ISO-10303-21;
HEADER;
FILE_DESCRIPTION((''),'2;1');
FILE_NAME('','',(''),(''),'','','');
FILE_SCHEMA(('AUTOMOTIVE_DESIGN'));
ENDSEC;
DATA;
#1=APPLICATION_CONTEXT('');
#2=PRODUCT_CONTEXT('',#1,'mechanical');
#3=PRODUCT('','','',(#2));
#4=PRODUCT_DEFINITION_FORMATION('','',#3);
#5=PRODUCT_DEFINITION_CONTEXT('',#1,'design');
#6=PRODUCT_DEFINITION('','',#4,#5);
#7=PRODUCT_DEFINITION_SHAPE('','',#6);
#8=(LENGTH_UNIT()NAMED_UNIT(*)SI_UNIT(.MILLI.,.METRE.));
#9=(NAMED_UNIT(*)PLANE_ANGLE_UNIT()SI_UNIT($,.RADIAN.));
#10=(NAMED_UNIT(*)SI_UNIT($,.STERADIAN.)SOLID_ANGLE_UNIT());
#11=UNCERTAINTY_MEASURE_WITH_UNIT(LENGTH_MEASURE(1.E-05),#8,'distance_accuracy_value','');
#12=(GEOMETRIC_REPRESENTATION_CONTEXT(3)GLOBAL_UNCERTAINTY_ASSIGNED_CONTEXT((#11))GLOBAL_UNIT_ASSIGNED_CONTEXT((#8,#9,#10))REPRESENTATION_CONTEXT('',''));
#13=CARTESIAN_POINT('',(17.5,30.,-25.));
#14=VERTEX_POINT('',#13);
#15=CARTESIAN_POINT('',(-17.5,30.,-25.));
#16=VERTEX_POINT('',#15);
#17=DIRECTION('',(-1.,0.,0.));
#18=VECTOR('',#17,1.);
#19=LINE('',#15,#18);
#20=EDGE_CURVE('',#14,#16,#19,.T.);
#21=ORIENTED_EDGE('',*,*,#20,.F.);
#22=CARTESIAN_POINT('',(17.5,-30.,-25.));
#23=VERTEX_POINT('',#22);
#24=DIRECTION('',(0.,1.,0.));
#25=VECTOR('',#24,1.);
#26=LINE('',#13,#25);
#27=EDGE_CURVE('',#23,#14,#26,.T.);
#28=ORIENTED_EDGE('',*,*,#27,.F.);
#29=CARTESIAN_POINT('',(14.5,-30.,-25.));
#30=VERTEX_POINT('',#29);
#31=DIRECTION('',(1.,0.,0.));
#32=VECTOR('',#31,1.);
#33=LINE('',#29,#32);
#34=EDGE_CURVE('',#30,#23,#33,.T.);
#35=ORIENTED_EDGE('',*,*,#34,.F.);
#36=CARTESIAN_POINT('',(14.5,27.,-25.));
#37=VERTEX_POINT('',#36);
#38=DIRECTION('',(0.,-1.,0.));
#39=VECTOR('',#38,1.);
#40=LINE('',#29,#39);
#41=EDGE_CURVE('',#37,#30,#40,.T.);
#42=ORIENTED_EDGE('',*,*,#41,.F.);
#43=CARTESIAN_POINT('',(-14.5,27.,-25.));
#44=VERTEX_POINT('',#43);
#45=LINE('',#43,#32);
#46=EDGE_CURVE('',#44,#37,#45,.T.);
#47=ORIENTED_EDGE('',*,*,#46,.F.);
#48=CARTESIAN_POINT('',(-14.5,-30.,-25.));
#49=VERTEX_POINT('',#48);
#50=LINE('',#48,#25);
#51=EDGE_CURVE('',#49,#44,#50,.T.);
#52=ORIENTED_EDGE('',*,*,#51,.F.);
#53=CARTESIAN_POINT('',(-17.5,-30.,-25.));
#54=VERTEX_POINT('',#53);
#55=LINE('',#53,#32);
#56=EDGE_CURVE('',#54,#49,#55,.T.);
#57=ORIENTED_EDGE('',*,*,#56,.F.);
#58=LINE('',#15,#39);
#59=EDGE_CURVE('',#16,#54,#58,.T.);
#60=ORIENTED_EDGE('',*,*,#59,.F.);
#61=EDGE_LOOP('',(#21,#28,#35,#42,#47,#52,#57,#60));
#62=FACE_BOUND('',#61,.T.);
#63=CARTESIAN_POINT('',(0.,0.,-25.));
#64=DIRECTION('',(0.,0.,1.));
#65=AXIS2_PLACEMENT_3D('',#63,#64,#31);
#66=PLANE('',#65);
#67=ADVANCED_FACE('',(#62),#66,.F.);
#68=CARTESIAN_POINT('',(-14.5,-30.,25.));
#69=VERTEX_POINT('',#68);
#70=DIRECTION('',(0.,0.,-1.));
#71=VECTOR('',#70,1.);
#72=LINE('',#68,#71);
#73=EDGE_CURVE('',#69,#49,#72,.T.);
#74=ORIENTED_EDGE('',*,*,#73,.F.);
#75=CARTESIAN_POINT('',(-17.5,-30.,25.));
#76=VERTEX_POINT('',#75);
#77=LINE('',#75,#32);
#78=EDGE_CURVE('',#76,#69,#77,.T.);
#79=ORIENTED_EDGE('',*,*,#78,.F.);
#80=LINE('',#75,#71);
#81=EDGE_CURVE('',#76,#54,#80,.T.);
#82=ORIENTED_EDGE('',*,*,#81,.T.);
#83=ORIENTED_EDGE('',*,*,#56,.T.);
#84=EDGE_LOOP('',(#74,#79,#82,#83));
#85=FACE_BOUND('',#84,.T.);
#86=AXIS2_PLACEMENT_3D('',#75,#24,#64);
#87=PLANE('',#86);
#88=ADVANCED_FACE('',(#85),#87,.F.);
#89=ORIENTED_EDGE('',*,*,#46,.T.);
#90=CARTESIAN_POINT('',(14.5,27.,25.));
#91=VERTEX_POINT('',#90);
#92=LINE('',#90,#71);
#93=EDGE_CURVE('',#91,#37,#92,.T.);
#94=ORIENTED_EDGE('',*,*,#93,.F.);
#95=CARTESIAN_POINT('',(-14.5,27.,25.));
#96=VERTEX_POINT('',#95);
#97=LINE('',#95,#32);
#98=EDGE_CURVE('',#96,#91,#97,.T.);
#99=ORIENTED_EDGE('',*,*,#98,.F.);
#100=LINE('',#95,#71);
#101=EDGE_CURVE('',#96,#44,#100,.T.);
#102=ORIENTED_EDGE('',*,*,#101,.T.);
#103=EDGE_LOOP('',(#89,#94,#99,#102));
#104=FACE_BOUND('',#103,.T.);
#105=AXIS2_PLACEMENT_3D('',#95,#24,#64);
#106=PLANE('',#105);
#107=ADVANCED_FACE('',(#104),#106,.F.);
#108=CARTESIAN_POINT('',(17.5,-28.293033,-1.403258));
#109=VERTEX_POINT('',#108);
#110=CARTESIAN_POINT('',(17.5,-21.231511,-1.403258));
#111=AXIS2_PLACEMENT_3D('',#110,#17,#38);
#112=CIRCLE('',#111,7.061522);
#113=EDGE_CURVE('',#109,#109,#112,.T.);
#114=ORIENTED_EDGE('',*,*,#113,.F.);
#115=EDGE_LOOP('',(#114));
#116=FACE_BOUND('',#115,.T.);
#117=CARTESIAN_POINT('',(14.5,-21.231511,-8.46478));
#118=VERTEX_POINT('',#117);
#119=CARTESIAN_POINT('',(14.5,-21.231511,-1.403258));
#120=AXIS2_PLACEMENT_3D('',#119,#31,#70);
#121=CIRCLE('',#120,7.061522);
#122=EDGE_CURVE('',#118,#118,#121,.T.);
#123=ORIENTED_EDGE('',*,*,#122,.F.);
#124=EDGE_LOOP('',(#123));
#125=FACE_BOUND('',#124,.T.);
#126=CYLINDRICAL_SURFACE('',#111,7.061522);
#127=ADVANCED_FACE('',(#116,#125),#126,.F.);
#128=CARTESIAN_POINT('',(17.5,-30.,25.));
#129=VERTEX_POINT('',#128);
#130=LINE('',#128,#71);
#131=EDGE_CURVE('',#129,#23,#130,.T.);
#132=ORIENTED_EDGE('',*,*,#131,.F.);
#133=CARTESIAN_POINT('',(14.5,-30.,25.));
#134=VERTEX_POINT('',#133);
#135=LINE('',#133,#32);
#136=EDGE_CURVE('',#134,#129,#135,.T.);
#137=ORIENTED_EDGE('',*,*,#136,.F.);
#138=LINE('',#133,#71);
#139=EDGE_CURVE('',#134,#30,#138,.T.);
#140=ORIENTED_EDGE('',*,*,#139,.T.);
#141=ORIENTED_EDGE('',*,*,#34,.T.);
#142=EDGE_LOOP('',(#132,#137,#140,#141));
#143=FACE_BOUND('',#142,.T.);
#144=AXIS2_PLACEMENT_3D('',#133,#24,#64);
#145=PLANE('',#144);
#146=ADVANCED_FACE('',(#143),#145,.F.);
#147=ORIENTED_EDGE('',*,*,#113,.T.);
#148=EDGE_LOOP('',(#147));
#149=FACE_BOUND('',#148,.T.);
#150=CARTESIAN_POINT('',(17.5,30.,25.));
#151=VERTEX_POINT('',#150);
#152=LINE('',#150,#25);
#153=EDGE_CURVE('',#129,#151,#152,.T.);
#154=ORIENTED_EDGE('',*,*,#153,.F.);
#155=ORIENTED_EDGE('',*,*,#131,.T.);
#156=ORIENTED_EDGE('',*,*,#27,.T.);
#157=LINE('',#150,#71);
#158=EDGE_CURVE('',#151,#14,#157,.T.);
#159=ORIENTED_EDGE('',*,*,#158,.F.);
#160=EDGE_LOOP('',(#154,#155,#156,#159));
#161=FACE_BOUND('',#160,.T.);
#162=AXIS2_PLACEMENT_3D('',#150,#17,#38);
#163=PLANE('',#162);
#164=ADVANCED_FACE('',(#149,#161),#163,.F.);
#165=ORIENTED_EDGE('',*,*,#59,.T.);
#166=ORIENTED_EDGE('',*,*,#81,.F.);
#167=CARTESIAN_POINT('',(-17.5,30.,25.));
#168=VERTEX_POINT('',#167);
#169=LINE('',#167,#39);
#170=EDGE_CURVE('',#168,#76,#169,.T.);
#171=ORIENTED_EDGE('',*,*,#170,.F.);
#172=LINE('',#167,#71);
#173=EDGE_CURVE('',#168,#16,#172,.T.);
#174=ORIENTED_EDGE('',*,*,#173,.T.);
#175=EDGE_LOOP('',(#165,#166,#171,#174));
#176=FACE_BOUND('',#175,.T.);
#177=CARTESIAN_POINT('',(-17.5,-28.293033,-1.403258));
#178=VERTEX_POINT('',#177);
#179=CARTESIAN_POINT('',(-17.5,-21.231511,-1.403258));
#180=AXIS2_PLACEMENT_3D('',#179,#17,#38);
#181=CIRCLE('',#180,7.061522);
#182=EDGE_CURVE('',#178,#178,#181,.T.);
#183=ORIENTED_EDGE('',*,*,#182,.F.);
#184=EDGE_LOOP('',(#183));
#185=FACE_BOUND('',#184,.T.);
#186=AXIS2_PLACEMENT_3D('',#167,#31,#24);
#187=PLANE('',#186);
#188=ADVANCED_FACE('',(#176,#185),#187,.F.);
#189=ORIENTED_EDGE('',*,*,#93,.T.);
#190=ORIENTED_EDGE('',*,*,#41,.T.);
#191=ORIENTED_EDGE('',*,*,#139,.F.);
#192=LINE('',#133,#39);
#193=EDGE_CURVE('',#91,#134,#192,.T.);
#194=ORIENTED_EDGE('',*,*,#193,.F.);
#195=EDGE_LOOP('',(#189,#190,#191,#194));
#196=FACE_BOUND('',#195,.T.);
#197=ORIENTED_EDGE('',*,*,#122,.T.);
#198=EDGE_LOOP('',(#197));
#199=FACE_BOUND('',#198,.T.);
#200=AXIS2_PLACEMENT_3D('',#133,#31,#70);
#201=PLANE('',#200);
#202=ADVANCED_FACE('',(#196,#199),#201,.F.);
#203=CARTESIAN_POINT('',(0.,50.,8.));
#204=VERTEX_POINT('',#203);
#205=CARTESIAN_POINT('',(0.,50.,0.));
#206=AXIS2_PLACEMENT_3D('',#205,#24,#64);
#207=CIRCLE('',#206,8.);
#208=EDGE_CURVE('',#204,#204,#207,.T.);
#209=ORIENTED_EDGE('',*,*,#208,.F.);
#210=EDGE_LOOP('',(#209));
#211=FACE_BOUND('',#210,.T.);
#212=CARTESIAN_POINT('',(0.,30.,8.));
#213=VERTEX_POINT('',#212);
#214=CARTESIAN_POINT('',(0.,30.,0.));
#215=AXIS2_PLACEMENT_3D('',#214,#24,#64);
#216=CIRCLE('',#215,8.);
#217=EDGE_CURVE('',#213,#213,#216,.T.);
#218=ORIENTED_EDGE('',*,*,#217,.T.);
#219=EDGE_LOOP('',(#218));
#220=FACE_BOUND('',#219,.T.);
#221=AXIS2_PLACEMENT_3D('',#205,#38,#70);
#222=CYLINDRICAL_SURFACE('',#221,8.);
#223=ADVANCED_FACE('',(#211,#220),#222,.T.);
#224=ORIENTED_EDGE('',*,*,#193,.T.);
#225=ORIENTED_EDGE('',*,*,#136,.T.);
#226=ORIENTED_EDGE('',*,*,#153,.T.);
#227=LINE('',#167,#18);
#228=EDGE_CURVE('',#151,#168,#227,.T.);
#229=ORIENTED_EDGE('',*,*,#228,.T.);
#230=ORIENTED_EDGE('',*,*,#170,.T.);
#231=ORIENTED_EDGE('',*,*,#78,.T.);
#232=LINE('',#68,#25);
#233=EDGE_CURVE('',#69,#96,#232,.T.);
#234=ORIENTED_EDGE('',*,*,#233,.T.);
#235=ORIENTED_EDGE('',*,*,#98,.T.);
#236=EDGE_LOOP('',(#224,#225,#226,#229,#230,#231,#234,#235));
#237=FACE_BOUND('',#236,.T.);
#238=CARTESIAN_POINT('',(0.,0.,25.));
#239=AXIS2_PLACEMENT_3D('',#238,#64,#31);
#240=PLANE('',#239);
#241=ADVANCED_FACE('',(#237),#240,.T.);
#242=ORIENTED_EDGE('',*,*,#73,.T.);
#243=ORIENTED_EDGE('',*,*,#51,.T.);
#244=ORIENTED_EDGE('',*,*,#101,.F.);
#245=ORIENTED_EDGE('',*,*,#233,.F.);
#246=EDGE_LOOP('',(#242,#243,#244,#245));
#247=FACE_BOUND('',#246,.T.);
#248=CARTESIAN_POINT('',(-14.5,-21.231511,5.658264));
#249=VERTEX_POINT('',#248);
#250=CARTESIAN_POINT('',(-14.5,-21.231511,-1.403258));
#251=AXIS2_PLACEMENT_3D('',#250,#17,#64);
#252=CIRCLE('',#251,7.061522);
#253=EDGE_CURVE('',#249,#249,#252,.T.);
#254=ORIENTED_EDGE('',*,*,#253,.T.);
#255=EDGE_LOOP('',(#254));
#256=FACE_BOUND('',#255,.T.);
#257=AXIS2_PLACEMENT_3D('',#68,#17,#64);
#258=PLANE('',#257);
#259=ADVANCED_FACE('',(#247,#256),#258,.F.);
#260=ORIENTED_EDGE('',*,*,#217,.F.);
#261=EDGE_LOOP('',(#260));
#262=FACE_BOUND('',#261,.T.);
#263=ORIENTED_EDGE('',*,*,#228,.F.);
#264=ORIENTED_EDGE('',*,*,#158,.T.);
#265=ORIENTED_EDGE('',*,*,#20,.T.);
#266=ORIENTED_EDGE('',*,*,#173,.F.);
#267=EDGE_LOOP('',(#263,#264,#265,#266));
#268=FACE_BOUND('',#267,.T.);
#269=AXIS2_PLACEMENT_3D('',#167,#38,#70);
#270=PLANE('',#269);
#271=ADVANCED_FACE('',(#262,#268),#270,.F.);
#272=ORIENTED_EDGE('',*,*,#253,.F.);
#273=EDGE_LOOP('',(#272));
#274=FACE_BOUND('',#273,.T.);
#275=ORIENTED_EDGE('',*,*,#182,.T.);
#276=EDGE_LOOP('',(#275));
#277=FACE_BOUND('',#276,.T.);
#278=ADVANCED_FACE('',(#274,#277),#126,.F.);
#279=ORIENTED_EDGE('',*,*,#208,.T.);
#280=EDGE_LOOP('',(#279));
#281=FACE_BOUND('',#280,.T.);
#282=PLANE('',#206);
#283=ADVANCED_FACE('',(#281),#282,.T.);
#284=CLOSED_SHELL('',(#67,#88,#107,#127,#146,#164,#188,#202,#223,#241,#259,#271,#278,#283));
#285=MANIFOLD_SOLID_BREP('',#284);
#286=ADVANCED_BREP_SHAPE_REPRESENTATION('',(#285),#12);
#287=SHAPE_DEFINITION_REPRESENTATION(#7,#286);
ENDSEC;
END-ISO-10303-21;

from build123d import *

# Parameters (mm, degrees)
BOSS_EXTRUDE2_DEPTH = 25
SKETCH4_R           = 8
BOSS_EXTRUDE3_DEPTH = 20
SKETCH5_R           = 7.061522099
CUT_EXTRUDE2_DEPTH  = 36


with BuildPart() as part:
    # Sketch3 → Boss-Extrude2 (new body, symmetric)
    with BuildSketch(Plane.XY):
        Polygon((14.5, -30), (17.5, -30), (17.5, 30), (-17.5, 30), (-17.5, -30), (-14.5, -30), (-14.5, 27), (14.5, 27), align=None)
    extrude(amount=BOSS_EXTRUDE2_DEPTH, both=True)

    # Sketch4 → Boss-Extrude3 (add)
    with BuildSketch(Plane(origin=(0, 30, 0), x_dir=(1, 0, 0), z_dir=(0, 1, 0))):
        Circle(SKETCH4_R)
    extrude(amount=BOSS_EXTRUDE3_DEPTH)

    # Sketch5 → Cut-Extrude2 (cut, through all)
    with BuildSketch(Plane.ZY.offset(17.5)):
        with Locations((-1.403257922, -21.231511185)):
            Circle(SKETCH5_R)
    extrude(amount=-CUT_EXTRUDE2_DEPTH, mode=Mode.SUBTRACT)


solid = part.part
